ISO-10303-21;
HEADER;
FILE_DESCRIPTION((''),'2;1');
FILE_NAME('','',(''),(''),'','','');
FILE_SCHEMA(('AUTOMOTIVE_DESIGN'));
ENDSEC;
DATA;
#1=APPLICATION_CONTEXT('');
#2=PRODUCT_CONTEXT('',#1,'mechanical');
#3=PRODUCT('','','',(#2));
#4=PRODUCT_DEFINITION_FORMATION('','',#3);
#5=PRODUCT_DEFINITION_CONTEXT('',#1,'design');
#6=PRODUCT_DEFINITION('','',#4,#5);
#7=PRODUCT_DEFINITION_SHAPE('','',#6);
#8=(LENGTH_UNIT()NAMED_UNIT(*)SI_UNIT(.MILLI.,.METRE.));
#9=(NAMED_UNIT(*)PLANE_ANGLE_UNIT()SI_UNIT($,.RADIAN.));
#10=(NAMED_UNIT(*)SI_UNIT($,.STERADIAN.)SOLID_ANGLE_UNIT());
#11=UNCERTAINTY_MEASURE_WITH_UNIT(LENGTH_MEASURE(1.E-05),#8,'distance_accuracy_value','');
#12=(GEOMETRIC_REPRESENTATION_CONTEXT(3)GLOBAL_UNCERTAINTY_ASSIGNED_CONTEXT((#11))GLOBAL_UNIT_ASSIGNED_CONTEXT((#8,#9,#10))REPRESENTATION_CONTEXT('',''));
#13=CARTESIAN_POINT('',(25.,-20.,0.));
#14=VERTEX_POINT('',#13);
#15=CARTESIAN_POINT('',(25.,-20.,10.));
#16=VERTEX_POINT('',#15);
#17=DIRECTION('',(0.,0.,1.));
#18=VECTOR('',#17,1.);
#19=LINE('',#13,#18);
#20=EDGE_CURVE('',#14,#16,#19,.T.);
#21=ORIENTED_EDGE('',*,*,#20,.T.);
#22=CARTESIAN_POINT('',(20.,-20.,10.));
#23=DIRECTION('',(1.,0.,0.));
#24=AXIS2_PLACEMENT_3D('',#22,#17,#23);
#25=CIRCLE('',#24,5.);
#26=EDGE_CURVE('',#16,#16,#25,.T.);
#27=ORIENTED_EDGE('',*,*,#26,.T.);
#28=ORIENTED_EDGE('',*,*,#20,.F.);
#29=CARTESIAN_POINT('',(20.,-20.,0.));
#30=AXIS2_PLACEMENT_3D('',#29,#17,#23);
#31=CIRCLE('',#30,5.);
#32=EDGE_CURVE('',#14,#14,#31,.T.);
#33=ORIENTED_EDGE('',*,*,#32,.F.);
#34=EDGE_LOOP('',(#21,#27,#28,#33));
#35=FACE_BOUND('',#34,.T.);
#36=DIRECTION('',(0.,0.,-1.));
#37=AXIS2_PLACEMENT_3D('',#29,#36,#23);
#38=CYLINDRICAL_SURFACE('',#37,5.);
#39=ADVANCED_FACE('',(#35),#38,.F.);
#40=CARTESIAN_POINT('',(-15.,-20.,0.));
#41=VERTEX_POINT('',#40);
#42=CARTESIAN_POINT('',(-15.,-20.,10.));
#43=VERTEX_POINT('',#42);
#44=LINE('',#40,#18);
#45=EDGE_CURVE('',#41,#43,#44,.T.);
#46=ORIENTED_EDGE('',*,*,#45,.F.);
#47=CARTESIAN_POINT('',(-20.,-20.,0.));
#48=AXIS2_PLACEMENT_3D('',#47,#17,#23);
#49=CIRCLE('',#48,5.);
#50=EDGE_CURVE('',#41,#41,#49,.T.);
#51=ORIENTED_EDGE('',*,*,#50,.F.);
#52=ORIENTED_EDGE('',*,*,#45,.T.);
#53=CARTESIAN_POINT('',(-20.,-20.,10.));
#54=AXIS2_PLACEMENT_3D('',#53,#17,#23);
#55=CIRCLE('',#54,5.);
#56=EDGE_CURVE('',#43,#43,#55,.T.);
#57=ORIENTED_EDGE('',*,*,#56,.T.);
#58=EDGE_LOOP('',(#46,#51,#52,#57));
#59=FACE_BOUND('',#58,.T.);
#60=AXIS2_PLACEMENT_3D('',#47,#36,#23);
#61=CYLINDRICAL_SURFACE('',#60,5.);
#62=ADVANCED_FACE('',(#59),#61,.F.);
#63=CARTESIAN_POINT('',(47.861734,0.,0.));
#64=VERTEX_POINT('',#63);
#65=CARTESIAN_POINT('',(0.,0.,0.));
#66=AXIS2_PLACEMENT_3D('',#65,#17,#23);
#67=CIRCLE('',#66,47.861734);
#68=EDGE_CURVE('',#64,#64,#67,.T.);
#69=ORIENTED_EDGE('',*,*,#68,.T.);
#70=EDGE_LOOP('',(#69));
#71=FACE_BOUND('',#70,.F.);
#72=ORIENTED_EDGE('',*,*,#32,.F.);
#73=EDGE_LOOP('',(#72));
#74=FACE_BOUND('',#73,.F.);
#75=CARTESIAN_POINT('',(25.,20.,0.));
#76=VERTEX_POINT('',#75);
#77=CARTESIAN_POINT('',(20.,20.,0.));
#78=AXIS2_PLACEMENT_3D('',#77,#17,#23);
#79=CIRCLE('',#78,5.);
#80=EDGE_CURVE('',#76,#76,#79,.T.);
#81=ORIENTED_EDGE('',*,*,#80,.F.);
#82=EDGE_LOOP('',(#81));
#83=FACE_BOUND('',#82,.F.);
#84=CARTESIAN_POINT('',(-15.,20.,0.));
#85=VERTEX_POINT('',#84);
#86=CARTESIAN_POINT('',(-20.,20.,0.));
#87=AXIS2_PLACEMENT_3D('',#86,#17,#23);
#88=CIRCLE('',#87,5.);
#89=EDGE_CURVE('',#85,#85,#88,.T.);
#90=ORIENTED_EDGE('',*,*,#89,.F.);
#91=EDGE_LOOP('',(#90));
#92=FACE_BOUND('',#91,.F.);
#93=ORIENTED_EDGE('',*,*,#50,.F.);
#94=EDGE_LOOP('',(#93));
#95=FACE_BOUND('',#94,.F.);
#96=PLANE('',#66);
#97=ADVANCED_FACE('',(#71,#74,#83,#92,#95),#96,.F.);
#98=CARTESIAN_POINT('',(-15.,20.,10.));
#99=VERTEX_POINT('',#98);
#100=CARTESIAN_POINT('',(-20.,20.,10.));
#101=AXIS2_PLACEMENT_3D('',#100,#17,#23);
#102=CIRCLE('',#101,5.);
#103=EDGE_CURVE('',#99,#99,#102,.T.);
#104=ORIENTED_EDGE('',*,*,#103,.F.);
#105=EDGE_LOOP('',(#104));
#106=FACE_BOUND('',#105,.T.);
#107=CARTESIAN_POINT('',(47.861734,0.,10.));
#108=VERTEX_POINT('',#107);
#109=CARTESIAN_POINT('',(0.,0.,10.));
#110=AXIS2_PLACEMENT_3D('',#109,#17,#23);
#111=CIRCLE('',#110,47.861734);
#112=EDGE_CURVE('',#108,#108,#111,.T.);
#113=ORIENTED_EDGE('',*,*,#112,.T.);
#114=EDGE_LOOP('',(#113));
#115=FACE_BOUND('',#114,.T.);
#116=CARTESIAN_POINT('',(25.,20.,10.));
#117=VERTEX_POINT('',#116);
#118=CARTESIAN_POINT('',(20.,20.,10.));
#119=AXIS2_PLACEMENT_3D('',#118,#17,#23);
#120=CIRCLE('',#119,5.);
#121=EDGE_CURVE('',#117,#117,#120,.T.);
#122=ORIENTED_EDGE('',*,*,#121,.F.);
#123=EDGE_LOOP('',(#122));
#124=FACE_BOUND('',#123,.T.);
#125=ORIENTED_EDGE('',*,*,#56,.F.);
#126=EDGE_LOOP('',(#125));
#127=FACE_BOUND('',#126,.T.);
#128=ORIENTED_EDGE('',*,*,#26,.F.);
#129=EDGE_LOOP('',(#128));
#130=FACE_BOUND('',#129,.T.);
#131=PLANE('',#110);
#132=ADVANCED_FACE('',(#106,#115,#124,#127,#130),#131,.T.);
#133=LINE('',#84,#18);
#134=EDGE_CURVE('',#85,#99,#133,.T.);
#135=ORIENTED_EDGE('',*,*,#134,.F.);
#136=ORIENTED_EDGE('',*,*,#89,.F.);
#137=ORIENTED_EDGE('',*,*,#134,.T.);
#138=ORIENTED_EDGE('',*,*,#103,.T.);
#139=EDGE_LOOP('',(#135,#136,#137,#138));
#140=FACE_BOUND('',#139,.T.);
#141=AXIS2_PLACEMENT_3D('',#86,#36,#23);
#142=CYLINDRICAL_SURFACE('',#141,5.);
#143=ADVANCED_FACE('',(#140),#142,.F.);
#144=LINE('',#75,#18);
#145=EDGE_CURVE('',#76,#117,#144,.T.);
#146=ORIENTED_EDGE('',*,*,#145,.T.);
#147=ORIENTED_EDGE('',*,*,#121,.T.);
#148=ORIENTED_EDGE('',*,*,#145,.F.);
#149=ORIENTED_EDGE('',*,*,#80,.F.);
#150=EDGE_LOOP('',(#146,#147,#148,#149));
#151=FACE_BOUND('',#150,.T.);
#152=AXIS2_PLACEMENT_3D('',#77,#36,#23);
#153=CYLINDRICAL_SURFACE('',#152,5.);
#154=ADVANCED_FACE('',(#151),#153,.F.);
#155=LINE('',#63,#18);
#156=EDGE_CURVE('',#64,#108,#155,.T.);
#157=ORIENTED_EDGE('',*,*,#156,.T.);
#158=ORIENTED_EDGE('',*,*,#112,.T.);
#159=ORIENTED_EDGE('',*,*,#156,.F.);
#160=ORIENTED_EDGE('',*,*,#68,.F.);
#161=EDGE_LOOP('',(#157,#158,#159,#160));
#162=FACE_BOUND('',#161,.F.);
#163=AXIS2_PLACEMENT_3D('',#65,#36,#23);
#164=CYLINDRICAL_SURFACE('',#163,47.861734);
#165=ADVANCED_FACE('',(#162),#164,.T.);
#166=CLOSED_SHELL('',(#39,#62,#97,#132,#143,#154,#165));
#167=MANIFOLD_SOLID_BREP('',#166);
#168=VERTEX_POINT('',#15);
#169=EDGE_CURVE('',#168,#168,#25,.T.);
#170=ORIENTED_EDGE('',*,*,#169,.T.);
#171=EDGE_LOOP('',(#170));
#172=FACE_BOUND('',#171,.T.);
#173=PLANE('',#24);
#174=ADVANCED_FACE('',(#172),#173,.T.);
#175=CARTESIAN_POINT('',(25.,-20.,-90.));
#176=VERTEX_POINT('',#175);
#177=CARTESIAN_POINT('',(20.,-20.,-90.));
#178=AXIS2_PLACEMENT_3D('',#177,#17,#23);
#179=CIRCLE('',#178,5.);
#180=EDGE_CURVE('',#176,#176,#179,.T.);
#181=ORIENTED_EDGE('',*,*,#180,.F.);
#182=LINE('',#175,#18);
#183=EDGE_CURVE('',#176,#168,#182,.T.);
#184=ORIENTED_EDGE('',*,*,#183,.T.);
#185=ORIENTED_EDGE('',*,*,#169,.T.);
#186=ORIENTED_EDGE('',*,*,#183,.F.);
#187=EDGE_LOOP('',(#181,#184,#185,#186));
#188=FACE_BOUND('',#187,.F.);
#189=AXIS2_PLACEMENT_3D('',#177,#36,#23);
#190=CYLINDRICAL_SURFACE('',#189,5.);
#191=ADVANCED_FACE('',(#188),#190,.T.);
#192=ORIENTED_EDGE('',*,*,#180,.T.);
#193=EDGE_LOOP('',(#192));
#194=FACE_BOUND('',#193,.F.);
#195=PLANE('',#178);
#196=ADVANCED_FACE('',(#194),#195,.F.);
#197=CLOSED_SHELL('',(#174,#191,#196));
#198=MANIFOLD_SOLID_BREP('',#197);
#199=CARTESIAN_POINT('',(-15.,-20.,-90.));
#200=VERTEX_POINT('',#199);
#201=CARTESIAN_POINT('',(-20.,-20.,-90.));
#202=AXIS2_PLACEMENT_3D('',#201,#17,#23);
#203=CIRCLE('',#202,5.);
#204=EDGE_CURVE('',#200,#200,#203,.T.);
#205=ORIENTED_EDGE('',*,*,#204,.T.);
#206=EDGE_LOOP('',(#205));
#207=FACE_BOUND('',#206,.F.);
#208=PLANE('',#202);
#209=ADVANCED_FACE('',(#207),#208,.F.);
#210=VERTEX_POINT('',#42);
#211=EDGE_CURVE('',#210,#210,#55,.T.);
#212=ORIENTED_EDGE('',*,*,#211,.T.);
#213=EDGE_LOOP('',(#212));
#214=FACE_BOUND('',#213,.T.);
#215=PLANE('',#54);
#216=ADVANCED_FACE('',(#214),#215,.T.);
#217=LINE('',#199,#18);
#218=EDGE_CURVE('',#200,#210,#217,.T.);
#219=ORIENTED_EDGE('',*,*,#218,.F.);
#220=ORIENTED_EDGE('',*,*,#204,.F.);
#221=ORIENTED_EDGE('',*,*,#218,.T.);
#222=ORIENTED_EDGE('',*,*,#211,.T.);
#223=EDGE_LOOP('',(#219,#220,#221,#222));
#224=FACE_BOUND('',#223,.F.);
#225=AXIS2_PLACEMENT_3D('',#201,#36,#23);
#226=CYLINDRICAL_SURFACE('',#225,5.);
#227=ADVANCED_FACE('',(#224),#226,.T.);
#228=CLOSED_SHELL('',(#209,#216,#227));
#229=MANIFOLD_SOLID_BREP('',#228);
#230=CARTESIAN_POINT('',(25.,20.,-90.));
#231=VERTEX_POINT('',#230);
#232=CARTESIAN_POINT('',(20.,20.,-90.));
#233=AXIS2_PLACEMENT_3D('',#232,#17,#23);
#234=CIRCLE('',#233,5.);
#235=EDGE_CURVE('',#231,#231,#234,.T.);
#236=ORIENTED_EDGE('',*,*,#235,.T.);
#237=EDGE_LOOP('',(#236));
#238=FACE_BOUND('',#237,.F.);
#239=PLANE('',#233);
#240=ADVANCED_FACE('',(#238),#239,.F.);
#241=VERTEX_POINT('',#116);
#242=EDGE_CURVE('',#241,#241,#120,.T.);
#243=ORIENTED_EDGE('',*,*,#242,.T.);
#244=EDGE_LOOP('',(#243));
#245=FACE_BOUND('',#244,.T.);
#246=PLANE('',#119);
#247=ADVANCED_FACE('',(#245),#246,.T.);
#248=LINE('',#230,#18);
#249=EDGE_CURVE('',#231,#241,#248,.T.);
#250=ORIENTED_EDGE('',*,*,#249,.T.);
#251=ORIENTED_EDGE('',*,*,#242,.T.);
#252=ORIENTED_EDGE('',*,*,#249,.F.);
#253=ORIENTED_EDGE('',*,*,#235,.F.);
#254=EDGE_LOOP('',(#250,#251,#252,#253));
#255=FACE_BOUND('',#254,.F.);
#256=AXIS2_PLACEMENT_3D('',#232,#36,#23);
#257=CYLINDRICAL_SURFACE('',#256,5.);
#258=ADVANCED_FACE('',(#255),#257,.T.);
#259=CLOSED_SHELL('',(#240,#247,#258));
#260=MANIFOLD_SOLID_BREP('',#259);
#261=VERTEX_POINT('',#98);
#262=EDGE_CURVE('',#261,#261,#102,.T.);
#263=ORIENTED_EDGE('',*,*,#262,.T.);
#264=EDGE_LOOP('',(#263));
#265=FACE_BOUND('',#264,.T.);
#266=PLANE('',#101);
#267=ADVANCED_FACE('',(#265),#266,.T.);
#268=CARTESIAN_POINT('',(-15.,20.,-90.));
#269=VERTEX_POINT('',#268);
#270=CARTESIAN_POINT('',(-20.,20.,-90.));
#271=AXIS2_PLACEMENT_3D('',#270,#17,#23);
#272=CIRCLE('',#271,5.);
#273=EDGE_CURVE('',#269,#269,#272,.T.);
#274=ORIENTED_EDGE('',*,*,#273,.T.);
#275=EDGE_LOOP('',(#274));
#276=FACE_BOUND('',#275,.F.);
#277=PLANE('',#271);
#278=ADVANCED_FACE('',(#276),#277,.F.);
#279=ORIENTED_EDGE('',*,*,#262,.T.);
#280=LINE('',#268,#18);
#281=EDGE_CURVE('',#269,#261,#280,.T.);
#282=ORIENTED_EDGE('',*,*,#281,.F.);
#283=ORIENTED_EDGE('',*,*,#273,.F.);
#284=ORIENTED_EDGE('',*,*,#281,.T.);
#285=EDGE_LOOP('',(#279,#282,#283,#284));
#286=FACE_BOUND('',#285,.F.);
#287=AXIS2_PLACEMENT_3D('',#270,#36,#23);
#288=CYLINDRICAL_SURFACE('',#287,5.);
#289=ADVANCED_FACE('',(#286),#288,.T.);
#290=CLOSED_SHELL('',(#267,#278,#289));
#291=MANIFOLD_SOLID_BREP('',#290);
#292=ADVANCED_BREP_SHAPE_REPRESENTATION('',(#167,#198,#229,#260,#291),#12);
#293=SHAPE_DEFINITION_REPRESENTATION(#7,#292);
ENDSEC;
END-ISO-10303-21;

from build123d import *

# Parameters (mm, degrees)
SKETCH_R          = 47.861734
SKETCH_R_2        = 5
PAD_DEPTH         = 10
CYLINDER_R        = 5
CYLINDER_DEPTH    = 100
CYLINDER001_R     = 5
CYLINDER001_DEPTH = 100
CYLINDER002_R     = 5
CYLINDER002_DEPTH = 100
CYLINDER003_R     = 5
CYLINDER003_DEPTH = 100


with BuildPart() as body:
    # Sketch → Pad (new body)
    with BuildSketch(Plane.XY):
        Circle(SKETCH_R)
        with Locations((-20, 20)):
            Circle(SKETCH_R_2, mode=Mode.SUBTRACT)
        with Locations((-20, -20)):
            Circle(SKETCH_R_2, mode=Mode.SUBTRACT)
        with Locations((20, 20)):
            Circle(SKETCH_R_2, mode=Mode.SUBTRACT)
        with Locations((20, -20)):
            Circle(SKETCH_R_2, mode=Mode.SUBTRACT)
    extrude(amount=PAD_DEPTH)


with BuildPart() as cylinder:
    # Cylinder → Cylinder (new body)
    with BuildSketch(Plane(origin=(20, -20, -90), x_dir=(1, 0, 0), z_dir=(0, 0, 1))):
        Circle(CYLINDER_R)
    extrude(amount=CYLINDER_DEPTH)


with BuildPart() as cylinder001:
    # Cylinder001 → Cylinder001 (new body)
    with BuildSketch(Plane(origin=(20, 20, -90), x_dir=(1, 0, 0), z_dir=(0, 0, 1))):
        Circle(CYLINDER001_R)
    extrude(amount=CYLINDER001_DEPTH)


with BuildPart() as cylinder002:
    # Cylinder002 → Cylinder002 (new body)
    with BuildSketch(Plane(origin=(-20, 20, -90), x_dir=(1, 0, 0), z_dir=(0, 0, 1))):
        Circle(CYLINDER002_R)
    extrude(amount=CYLINDER002_DEPTH)


with BuildPart() as cylinder003:
    # Cylinder003 → Cylinder003 (new body)
    with BuildSketch(Plane(origin=(-20, -20, -90), x_dir=(1, 0, 0), z_dir=(0, 0, 1))):
        Circle(CYLINDER003_R)
    extrude(amount=CYLINDER003_DEPTH)


solid = Compound([body.part, cylinder.part, cylinder001.part, cylinder002.part, cylinder003.part])
